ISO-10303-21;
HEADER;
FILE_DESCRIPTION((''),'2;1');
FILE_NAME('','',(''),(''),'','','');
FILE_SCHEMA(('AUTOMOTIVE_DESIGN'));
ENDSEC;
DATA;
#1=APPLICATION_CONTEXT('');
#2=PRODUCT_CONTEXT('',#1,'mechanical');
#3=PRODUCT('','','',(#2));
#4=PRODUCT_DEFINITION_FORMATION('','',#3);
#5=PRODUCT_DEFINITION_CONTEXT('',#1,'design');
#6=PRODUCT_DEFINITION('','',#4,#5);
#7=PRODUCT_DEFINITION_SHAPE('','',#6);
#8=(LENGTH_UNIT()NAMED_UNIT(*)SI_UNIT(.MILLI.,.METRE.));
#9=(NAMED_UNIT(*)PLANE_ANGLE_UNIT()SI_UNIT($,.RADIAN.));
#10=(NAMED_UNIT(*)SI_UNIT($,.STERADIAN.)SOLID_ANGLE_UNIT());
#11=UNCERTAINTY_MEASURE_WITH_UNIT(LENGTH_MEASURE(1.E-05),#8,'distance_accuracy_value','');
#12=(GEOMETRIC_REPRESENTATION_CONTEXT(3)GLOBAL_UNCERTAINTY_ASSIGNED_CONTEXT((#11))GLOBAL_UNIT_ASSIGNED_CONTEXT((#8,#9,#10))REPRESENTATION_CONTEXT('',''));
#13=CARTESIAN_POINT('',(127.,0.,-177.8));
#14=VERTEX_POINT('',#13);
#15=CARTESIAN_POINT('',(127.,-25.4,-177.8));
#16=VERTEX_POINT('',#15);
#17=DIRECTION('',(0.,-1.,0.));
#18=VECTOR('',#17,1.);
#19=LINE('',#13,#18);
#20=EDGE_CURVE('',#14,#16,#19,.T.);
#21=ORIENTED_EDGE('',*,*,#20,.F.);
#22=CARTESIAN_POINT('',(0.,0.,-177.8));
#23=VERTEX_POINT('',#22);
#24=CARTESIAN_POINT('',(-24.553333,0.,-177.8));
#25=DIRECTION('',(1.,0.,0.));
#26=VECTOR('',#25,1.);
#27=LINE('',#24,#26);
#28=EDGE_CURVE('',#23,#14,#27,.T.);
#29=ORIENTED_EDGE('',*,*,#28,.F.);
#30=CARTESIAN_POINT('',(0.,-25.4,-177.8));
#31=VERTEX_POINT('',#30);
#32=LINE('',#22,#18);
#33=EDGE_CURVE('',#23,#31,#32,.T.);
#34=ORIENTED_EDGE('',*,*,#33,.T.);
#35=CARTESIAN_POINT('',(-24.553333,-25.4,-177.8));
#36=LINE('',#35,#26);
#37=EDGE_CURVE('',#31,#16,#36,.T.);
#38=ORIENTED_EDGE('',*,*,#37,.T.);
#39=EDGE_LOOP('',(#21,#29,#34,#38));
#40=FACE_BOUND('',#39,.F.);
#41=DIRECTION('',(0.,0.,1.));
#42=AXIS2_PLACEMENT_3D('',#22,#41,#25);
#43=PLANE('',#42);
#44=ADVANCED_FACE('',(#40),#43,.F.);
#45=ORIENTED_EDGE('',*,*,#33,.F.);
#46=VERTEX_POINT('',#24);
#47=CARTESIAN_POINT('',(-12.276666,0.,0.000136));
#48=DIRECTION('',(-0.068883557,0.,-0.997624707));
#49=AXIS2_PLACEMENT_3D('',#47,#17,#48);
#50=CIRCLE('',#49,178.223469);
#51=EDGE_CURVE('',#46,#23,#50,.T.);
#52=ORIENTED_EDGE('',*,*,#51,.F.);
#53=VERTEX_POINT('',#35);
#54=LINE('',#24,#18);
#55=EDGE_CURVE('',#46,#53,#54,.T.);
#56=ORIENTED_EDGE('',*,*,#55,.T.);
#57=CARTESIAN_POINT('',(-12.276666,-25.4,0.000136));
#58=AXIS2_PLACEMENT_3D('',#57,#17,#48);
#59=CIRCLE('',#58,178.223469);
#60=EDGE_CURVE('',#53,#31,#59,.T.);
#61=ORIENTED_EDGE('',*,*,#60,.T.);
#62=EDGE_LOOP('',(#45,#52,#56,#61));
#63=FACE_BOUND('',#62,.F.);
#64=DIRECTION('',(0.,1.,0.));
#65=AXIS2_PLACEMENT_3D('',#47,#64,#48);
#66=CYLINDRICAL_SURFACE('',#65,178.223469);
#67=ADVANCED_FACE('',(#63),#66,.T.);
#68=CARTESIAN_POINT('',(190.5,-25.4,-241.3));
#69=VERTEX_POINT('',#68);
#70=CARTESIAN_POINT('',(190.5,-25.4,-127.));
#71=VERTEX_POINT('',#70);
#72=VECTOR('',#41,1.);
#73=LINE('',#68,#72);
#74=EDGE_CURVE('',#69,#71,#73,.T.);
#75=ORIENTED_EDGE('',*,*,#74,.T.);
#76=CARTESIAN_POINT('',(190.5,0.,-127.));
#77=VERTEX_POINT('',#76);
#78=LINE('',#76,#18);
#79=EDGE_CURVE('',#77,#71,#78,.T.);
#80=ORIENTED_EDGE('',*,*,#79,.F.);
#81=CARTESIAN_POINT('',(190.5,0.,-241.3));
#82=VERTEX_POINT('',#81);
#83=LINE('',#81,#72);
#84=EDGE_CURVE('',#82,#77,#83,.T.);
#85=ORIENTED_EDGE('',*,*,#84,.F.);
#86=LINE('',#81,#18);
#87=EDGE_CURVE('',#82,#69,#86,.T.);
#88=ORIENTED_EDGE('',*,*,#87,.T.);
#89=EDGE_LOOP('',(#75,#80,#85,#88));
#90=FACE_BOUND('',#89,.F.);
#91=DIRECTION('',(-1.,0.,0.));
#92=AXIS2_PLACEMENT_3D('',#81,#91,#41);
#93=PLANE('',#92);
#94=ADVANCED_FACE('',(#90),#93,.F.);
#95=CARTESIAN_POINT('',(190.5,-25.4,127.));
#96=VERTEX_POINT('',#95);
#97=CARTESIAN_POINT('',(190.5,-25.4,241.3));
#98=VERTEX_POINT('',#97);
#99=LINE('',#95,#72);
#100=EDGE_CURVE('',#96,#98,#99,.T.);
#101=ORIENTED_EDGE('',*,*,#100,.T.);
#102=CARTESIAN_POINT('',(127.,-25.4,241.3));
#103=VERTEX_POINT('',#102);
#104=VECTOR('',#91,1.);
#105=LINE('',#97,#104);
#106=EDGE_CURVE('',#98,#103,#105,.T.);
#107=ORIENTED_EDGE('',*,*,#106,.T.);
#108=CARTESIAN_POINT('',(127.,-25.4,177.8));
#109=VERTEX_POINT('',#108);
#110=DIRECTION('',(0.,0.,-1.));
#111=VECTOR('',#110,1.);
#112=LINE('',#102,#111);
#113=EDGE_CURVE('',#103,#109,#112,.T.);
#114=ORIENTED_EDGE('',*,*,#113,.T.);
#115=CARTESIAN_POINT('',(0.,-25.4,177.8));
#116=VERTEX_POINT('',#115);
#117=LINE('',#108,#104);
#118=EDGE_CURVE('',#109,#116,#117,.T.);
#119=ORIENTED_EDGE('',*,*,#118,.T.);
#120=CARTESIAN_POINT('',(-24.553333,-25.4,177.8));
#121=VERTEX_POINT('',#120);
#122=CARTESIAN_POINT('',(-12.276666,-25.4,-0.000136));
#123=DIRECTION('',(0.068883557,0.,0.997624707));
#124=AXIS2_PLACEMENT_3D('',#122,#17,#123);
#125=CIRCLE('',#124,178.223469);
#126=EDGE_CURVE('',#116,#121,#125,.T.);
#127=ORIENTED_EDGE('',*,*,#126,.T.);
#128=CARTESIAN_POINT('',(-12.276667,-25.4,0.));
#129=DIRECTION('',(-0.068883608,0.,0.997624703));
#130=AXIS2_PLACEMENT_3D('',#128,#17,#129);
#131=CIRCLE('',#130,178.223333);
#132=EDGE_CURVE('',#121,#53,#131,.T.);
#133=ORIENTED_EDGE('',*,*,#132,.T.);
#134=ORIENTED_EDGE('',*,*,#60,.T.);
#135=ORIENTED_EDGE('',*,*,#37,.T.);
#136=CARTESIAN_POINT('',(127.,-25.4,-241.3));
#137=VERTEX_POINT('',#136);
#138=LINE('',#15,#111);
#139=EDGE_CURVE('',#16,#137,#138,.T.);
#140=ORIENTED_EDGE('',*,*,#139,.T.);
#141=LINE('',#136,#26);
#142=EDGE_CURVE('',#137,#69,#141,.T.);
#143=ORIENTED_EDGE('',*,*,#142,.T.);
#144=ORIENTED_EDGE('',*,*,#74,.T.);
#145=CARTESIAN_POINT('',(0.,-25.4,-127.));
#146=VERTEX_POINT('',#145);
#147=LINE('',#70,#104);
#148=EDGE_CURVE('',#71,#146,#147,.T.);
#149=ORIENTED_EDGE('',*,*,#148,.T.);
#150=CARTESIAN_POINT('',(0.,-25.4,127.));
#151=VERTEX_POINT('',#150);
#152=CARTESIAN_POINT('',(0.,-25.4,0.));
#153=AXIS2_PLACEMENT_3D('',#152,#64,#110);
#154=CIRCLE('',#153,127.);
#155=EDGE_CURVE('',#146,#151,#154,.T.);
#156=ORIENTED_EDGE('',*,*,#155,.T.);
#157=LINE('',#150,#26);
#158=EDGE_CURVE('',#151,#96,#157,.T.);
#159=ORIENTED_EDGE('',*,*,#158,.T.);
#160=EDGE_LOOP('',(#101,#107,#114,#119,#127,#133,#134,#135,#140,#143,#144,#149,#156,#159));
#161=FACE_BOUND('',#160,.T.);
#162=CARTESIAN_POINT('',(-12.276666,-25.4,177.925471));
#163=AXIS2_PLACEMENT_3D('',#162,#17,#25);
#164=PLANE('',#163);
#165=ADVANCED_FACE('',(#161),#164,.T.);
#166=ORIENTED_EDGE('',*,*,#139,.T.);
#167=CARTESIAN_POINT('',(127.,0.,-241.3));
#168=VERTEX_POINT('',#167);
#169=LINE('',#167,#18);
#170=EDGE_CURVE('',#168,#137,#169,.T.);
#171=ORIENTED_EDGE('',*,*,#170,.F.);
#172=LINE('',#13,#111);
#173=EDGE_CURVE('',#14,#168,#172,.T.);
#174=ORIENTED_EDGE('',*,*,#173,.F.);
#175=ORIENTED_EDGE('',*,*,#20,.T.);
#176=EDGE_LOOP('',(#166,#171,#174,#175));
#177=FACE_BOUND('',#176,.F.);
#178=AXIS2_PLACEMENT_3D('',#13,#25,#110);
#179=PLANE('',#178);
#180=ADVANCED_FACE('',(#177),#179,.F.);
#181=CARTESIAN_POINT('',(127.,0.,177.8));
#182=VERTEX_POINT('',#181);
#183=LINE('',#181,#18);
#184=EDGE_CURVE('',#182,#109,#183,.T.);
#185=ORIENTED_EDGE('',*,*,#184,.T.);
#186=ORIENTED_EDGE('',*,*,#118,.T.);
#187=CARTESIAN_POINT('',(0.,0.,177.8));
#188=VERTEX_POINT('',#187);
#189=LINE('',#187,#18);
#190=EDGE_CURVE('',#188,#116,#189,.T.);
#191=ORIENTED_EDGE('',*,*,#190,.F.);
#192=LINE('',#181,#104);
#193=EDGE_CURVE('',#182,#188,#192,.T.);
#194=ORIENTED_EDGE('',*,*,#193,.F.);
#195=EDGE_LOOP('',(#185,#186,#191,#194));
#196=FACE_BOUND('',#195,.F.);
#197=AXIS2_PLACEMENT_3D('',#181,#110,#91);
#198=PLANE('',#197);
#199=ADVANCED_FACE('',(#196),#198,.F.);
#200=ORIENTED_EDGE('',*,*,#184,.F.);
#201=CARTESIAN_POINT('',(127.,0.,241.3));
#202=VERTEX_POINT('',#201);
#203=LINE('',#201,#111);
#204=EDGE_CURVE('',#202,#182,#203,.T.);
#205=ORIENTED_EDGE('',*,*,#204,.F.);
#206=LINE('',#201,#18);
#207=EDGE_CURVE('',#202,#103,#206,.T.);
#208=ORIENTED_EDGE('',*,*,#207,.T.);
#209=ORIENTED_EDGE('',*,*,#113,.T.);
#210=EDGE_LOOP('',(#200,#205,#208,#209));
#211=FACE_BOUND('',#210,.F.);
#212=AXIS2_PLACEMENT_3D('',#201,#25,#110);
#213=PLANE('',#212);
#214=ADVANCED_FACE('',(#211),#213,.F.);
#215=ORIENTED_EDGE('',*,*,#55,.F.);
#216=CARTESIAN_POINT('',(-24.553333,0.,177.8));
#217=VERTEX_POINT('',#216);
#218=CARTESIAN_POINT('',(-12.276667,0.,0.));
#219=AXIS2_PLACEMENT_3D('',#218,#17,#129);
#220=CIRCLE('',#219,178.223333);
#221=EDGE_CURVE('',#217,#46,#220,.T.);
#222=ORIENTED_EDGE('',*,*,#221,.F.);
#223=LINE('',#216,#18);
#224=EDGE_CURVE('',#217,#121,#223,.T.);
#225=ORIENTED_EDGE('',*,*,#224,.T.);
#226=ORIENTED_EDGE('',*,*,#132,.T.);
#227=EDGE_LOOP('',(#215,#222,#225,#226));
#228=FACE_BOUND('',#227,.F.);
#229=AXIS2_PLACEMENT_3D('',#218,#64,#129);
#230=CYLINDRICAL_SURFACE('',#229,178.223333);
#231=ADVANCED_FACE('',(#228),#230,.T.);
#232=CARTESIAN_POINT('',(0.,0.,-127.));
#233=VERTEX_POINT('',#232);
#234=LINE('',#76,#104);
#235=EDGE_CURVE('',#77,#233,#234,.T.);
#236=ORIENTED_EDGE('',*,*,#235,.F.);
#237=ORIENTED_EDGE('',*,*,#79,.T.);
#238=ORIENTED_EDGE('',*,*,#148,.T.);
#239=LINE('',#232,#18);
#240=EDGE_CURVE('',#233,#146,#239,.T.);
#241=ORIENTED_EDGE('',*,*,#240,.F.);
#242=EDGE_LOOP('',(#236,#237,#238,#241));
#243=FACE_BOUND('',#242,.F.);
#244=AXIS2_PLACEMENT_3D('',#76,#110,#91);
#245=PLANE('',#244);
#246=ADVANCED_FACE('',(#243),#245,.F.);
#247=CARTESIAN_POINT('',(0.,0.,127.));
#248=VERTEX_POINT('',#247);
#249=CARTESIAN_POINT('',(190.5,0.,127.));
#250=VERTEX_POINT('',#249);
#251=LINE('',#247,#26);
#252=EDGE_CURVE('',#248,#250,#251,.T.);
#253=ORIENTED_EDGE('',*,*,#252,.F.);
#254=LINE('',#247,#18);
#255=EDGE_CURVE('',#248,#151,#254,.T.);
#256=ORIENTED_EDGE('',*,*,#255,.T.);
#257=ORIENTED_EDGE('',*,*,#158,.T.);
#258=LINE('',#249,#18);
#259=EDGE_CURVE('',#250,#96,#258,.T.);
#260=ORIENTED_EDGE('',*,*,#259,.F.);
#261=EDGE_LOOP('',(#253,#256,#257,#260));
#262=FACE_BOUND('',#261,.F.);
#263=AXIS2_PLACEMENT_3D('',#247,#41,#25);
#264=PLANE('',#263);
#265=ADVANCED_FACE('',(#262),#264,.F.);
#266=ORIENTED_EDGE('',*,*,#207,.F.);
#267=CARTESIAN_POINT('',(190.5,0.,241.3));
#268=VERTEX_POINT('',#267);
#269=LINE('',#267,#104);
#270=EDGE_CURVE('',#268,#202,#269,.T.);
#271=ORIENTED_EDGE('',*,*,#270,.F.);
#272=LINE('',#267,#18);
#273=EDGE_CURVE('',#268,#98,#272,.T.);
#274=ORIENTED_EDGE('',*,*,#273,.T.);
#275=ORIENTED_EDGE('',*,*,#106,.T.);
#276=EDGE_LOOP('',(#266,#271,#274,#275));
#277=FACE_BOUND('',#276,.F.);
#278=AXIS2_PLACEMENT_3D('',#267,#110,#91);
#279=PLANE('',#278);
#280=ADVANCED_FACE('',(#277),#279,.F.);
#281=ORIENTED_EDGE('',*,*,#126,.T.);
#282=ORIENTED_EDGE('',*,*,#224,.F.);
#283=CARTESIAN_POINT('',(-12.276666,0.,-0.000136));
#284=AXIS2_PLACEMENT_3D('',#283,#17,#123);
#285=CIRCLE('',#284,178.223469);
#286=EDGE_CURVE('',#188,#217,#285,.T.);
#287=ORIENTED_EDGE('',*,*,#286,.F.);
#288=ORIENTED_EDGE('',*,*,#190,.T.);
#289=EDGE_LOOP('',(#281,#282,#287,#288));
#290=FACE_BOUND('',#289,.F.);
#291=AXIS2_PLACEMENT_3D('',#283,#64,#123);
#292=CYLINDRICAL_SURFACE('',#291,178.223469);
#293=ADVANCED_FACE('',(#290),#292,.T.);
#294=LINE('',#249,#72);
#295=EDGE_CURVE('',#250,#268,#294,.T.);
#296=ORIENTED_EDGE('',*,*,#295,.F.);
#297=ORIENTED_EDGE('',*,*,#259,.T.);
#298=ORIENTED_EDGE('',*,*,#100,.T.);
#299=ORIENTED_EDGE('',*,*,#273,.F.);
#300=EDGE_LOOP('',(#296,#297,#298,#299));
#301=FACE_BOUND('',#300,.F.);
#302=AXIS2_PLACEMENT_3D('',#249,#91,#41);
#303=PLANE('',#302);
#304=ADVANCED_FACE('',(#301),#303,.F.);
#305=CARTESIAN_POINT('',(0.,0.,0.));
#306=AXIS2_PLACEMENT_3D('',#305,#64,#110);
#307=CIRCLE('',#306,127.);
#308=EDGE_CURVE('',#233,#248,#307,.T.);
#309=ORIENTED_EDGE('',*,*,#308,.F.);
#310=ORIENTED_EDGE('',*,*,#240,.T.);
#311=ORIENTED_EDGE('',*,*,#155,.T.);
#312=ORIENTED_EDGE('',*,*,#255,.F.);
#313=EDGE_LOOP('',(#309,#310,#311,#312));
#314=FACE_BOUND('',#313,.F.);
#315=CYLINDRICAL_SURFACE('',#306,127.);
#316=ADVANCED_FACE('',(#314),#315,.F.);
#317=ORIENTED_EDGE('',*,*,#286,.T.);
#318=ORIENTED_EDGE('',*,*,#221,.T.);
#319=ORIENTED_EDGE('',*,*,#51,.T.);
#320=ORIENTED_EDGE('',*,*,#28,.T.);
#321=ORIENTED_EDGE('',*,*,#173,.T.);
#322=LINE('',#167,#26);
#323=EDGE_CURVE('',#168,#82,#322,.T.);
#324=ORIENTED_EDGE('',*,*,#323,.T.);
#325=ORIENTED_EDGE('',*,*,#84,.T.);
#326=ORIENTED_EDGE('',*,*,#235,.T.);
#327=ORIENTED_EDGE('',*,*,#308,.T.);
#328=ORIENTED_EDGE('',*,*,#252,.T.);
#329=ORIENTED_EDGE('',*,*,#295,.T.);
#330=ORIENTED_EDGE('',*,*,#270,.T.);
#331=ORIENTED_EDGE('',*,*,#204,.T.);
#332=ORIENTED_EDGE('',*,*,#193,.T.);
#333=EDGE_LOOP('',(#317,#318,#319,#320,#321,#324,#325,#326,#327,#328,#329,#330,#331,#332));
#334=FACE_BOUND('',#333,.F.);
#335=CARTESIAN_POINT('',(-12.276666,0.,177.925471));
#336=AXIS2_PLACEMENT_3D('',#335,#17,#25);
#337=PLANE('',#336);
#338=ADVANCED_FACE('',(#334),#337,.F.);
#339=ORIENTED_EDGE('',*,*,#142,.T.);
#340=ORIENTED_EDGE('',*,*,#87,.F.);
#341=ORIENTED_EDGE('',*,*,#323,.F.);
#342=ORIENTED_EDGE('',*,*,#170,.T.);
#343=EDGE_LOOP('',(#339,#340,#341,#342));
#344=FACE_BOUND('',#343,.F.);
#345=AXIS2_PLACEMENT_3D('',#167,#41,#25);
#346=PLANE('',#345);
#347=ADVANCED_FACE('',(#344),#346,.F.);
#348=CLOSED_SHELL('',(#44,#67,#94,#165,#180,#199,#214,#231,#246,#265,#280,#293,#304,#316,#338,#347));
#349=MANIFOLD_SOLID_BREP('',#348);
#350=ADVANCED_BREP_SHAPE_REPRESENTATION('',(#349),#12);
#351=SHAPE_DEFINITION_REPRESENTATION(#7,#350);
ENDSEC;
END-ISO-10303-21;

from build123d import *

# Parameters (mm, degrees)
F1_DEPTH = 25.4


with BuildPart() as f1:
    # F0 (on Front) → F1 (new body)
    with BuildSketch(Plane.XZ):
        with BuildLine():
            ThreePointArc((0, 177.8), (-12.276667, 178.223333), (-24.553333, 177.8))
            Line((-24.553333, 177.8), (0, 177.8))
        make_face()
        with BuildLine():
            Line((0, 177.8), (-24.553333, 177.8))
            ThreePointArc((-24.553333, 177.8), (-190.5, 0), (-24.553333, -177.8))
            Line((-24.553333, -177.8), (0, -177.8))
            Line((0, -177.8), (127, -177.8))
            Line((127, -177.8), (127, -241.3))
            Line((127, -241.3), (190.5, -241.3))
            Line((190.5, -241.3), (190.5, -177.8))
            Line((190.5, -177.8), (190.5, -127))
            Line((190.5, -127), (0, -127))
            ThreePointArc((0, -127), (-127, 0), (0, 127))
            Line((0, 127), (190.5, 127))
            Line((190.5, 127), (190.5, 177.8))
            Line((190.5, 177.8), (190.5, 241.3))
            Line((190.5, 241.3), (127, 241.3))
            Line((127, 241.3), (127, 177.8))
            Line((127, 177.8), (0, 177.8))
        make_face()
        with BuildLine():
            Line((0, -177.8), (-24.553333, -177.8))
            ThreePointArc((-24.553333, -177.8), (-12.276667, -178.223333), (0, -177.8))
        make_face()
    extrude(amount=F1_DEPTH)


solid = f1.part
